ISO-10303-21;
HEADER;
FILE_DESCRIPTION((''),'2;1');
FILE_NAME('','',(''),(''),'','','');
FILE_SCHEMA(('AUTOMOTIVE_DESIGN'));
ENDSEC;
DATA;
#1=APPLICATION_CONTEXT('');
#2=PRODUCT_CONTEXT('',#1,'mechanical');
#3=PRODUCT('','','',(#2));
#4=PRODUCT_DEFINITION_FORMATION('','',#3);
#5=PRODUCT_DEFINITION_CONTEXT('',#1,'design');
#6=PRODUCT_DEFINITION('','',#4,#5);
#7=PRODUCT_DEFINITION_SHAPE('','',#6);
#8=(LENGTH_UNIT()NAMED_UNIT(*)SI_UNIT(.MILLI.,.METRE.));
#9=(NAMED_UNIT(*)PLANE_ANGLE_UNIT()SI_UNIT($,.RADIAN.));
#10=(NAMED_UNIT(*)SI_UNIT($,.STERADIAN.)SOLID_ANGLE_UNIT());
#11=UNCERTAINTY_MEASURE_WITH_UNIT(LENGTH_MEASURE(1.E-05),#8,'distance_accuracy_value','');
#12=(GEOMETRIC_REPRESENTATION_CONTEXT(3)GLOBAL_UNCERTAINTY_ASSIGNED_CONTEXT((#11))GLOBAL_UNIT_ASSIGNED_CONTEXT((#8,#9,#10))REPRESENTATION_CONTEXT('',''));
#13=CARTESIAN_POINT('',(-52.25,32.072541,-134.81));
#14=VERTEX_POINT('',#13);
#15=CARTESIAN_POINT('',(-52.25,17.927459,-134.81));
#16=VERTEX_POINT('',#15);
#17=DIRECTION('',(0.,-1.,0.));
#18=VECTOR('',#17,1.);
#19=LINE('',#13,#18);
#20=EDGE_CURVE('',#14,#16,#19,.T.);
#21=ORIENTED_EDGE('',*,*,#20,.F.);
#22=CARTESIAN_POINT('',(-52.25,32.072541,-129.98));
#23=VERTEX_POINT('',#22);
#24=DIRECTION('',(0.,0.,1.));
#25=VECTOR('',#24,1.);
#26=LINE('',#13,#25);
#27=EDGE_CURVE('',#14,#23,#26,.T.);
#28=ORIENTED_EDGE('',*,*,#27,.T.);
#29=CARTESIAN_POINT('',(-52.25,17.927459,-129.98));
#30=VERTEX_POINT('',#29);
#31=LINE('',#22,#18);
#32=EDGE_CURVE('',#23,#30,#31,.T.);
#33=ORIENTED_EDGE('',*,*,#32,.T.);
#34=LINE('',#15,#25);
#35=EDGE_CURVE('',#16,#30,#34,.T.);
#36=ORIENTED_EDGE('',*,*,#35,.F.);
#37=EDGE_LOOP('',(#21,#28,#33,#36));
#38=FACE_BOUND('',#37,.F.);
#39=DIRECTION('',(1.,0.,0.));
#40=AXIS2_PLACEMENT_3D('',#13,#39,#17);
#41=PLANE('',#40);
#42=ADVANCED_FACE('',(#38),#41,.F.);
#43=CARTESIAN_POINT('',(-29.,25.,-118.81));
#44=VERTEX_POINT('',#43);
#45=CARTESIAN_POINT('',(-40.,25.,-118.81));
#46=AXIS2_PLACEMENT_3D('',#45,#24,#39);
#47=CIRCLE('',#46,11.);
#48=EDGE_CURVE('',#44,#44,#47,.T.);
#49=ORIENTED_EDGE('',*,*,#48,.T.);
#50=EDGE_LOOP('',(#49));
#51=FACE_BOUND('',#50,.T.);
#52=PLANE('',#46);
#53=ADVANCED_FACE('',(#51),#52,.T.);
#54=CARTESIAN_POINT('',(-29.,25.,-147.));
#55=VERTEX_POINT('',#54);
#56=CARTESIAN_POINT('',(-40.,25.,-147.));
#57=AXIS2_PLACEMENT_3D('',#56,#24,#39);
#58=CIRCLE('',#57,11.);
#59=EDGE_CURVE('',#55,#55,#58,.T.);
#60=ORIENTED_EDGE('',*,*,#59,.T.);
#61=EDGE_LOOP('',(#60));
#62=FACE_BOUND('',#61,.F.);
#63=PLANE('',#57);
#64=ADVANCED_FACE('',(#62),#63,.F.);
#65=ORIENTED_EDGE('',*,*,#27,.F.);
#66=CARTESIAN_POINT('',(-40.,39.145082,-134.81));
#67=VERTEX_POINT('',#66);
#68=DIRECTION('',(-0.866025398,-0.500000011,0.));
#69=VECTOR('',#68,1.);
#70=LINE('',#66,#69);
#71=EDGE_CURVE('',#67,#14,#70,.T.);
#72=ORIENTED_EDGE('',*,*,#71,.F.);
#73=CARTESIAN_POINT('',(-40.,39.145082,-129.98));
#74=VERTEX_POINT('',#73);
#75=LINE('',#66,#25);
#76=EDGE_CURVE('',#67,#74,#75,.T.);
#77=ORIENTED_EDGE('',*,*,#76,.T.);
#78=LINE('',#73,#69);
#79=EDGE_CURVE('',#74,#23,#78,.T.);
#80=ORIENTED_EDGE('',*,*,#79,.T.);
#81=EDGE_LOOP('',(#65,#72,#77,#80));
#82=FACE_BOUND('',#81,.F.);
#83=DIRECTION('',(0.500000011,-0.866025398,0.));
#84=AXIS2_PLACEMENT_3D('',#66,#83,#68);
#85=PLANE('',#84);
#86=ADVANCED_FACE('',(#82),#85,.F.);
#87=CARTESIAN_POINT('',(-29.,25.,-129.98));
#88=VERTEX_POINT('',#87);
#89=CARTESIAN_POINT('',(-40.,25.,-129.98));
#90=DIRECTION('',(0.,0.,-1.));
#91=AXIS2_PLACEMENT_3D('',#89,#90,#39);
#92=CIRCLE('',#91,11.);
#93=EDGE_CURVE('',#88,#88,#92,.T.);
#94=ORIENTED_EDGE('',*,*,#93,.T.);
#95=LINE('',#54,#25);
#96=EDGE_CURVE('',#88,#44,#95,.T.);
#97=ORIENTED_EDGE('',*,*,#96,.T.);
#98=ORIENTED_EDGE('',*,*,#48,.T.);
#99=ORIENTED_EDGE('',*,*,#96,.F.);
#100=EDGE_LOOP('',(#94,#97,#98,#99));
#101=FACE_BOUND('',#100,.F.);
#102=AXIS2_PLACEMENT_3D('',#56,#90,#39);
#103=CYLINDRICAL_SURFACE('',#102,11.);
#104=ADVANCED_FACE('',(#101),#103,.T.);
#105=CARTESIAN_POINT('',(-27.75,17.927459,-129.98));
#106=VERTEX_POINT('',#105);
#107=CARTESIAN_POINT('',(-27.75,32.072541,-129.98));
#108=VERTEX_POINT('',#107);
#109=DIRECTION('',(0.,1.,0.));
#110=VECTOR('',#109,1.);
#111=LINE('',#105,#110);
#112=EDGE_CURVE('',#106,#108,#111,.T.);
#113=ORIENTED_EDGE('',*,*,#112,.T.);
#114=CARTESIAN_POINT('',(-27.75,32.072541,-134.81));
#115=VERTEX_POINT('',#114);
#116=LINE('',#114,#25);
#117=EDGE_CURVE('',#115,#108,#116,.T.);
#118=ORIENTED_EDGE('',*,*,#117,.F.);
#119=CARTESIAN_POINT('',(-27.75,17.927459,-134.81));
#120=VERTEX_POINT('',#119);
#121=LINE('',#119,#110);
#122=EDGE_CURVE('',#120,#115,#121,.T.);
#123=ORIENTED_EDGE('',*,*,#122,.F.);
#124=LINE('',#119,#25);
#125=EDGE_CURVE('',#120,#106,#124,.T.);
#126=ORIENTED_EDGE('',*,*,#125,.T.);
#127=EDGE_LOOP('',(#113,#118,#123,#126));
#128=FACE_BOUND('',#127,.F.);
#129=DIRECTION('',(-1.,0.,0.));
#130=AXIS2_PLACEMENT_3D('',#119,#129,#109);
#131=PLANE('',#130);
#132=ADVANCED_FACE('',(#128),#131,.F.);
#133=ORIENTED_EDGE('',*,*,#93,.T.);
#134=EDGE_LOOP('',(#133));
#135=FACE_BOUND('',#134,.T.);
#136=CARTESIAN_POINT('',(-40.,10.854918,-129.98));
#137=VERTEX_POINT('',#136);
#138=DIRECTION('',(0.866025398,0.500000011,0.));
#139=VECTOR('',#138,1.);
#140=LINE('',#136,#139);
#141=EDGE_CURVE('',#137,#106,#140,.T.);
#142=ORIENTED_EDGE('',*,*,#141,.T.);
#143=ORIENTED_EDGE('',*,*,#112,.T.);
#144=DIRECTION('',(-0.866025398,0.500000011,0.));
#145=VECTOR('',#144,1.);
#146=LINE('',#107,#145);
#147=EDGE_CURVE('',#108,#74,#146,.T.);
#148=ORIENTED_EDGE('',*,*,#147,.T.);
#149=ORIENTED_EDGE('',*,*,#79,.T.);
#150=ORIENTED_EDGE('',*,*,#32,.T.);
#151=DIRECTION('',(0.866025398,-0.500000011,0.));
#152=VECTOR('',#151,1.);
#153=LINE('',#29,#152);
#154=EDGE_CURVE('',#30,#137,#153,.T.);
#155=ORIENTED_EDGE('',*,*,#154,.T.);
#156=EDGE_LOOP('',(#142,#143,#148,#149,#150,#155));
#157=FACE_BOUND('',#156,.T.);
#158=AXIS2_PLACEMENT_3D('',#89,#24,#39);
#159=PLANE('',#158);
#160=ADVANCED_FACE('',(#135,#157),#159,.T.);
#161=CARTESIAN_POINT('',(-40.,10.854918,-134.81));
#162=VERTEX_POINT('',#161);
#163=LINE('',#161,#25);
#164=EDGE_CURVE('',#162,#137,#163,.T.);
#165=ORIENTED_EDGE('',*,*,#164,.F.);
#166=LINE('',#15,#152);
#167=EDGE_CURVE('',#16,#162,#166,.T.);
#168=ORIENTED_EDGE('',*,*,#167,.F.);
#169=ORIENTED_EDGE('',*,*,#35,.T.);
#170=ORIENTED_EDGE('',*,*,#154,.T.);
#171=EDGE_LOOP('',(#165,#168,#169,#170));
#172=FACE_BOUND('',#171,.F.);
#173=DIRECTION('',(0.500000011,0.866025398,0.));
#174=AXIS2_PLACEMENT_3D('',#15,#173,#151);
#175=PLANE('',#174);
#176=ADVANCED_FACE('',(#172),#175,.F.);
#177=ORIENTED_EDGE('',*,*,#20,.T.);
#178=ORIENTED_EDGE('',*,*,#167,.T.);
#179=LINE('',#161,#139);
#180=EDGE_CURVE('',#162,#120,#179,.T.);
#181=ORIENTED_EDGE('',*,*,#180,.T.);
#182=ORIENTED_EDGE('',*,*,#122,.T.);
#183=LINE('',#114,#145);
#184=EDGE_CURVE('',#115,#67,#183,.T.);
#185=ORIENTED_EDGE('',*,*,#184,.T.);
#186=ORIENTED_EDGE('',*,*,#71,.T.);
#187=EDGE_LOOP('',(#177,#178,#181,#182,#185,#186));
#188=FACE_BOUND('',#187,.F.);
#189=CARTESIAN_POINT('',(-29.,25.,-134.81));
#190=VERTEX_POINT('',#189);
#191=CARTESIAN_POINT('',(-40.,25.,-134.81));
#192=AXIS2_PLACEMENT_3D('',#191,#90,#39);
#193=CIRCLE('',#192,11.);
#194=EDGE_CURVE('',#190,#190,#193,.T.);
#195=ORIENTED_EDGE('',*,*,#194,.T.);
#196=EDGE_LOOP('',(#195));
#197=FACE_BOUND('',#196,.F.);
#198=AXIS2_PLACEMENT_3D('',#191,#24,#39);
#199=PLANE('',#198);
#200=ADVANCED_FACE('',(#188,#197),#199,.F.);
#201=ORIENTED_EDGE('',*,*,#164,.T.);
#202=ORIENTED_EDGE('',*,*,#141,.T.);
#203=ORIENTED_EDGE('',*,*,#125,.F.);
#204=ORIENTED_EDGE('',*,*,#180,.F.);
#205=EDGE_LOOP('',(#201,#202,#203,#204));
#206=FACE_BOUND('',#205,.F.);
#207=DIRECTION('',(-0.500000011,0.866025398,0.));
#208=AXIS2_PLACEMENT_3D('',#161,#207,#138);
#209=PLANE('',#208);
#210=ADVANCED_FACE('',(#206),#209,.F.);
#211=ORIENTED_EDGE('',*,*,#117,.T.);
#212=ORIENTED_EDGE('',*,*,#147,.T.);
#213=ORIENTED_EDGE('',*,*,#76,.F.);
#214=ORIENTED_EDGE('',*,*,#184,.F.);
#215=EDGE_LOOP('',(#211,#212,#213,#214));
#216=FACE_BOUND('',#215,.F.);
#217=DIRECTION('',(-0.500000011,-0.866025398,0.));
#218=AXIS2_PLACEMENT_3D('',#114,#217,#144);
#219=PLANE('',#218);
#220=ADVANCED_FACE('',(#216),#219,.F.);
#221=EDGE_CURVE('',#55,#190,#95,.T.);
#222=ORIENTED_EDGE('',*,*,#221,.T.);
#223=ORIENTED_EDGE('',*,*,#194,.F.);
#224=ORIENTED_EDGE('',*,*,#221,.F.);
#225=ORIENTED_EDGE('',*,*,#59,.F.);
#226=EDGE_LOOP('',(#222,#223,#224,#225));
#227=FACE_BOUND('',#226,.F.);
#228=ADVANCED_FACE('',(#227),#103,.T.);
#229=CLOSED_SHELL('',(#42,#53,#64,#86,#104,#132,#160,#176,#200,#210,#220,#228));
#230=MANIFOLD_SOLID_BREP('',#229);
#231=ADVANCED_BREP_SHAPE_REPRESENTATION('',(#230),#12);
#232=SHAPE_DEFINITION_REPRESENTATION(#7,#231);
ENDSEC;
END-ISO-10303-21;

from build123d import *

# Parameters (mm, degrees)
EXTRUDE_DEPTH     = 4.83
CYLINDER002_R     = 11
CYLINDER002_DEPTH = 28.19


with BuildPart() as extrude_body:
    # Sketch → Extrude (new body)
    with BuildSketch(Plane.XY):
        Polygon((12.25, -7.072541), (12.25, 7.072541), (0, 14.145082), (-12.25, 7.072541), (-12.25, -7.072541), (0, -14.145082), align=None)
    extrude(amount=EXTRUDE_DEPTH)


with BuildPart() as extrude_body_1:
    # Extrude placement: moved
    add(extrude_body.part.moved(Location((0, 0, 12.19))))


with BuildPart() as powerplug:
    # Cylinder002 → Cylinder002 (new body)
    with BuildSketch(Plane.XY):
        Circle(CYLINDER002_R)
    extrude(amount=CYLINDER002_DEPTH)

    # Fusion: union Extrude body
    add(extrude_body_1.part)


with BuildPart() as powerplug_1:
    # Fusion placement: moved
    add(powerplug.part.moved(Location((-40, 25, -147))))


solid = powerplug_1.part
